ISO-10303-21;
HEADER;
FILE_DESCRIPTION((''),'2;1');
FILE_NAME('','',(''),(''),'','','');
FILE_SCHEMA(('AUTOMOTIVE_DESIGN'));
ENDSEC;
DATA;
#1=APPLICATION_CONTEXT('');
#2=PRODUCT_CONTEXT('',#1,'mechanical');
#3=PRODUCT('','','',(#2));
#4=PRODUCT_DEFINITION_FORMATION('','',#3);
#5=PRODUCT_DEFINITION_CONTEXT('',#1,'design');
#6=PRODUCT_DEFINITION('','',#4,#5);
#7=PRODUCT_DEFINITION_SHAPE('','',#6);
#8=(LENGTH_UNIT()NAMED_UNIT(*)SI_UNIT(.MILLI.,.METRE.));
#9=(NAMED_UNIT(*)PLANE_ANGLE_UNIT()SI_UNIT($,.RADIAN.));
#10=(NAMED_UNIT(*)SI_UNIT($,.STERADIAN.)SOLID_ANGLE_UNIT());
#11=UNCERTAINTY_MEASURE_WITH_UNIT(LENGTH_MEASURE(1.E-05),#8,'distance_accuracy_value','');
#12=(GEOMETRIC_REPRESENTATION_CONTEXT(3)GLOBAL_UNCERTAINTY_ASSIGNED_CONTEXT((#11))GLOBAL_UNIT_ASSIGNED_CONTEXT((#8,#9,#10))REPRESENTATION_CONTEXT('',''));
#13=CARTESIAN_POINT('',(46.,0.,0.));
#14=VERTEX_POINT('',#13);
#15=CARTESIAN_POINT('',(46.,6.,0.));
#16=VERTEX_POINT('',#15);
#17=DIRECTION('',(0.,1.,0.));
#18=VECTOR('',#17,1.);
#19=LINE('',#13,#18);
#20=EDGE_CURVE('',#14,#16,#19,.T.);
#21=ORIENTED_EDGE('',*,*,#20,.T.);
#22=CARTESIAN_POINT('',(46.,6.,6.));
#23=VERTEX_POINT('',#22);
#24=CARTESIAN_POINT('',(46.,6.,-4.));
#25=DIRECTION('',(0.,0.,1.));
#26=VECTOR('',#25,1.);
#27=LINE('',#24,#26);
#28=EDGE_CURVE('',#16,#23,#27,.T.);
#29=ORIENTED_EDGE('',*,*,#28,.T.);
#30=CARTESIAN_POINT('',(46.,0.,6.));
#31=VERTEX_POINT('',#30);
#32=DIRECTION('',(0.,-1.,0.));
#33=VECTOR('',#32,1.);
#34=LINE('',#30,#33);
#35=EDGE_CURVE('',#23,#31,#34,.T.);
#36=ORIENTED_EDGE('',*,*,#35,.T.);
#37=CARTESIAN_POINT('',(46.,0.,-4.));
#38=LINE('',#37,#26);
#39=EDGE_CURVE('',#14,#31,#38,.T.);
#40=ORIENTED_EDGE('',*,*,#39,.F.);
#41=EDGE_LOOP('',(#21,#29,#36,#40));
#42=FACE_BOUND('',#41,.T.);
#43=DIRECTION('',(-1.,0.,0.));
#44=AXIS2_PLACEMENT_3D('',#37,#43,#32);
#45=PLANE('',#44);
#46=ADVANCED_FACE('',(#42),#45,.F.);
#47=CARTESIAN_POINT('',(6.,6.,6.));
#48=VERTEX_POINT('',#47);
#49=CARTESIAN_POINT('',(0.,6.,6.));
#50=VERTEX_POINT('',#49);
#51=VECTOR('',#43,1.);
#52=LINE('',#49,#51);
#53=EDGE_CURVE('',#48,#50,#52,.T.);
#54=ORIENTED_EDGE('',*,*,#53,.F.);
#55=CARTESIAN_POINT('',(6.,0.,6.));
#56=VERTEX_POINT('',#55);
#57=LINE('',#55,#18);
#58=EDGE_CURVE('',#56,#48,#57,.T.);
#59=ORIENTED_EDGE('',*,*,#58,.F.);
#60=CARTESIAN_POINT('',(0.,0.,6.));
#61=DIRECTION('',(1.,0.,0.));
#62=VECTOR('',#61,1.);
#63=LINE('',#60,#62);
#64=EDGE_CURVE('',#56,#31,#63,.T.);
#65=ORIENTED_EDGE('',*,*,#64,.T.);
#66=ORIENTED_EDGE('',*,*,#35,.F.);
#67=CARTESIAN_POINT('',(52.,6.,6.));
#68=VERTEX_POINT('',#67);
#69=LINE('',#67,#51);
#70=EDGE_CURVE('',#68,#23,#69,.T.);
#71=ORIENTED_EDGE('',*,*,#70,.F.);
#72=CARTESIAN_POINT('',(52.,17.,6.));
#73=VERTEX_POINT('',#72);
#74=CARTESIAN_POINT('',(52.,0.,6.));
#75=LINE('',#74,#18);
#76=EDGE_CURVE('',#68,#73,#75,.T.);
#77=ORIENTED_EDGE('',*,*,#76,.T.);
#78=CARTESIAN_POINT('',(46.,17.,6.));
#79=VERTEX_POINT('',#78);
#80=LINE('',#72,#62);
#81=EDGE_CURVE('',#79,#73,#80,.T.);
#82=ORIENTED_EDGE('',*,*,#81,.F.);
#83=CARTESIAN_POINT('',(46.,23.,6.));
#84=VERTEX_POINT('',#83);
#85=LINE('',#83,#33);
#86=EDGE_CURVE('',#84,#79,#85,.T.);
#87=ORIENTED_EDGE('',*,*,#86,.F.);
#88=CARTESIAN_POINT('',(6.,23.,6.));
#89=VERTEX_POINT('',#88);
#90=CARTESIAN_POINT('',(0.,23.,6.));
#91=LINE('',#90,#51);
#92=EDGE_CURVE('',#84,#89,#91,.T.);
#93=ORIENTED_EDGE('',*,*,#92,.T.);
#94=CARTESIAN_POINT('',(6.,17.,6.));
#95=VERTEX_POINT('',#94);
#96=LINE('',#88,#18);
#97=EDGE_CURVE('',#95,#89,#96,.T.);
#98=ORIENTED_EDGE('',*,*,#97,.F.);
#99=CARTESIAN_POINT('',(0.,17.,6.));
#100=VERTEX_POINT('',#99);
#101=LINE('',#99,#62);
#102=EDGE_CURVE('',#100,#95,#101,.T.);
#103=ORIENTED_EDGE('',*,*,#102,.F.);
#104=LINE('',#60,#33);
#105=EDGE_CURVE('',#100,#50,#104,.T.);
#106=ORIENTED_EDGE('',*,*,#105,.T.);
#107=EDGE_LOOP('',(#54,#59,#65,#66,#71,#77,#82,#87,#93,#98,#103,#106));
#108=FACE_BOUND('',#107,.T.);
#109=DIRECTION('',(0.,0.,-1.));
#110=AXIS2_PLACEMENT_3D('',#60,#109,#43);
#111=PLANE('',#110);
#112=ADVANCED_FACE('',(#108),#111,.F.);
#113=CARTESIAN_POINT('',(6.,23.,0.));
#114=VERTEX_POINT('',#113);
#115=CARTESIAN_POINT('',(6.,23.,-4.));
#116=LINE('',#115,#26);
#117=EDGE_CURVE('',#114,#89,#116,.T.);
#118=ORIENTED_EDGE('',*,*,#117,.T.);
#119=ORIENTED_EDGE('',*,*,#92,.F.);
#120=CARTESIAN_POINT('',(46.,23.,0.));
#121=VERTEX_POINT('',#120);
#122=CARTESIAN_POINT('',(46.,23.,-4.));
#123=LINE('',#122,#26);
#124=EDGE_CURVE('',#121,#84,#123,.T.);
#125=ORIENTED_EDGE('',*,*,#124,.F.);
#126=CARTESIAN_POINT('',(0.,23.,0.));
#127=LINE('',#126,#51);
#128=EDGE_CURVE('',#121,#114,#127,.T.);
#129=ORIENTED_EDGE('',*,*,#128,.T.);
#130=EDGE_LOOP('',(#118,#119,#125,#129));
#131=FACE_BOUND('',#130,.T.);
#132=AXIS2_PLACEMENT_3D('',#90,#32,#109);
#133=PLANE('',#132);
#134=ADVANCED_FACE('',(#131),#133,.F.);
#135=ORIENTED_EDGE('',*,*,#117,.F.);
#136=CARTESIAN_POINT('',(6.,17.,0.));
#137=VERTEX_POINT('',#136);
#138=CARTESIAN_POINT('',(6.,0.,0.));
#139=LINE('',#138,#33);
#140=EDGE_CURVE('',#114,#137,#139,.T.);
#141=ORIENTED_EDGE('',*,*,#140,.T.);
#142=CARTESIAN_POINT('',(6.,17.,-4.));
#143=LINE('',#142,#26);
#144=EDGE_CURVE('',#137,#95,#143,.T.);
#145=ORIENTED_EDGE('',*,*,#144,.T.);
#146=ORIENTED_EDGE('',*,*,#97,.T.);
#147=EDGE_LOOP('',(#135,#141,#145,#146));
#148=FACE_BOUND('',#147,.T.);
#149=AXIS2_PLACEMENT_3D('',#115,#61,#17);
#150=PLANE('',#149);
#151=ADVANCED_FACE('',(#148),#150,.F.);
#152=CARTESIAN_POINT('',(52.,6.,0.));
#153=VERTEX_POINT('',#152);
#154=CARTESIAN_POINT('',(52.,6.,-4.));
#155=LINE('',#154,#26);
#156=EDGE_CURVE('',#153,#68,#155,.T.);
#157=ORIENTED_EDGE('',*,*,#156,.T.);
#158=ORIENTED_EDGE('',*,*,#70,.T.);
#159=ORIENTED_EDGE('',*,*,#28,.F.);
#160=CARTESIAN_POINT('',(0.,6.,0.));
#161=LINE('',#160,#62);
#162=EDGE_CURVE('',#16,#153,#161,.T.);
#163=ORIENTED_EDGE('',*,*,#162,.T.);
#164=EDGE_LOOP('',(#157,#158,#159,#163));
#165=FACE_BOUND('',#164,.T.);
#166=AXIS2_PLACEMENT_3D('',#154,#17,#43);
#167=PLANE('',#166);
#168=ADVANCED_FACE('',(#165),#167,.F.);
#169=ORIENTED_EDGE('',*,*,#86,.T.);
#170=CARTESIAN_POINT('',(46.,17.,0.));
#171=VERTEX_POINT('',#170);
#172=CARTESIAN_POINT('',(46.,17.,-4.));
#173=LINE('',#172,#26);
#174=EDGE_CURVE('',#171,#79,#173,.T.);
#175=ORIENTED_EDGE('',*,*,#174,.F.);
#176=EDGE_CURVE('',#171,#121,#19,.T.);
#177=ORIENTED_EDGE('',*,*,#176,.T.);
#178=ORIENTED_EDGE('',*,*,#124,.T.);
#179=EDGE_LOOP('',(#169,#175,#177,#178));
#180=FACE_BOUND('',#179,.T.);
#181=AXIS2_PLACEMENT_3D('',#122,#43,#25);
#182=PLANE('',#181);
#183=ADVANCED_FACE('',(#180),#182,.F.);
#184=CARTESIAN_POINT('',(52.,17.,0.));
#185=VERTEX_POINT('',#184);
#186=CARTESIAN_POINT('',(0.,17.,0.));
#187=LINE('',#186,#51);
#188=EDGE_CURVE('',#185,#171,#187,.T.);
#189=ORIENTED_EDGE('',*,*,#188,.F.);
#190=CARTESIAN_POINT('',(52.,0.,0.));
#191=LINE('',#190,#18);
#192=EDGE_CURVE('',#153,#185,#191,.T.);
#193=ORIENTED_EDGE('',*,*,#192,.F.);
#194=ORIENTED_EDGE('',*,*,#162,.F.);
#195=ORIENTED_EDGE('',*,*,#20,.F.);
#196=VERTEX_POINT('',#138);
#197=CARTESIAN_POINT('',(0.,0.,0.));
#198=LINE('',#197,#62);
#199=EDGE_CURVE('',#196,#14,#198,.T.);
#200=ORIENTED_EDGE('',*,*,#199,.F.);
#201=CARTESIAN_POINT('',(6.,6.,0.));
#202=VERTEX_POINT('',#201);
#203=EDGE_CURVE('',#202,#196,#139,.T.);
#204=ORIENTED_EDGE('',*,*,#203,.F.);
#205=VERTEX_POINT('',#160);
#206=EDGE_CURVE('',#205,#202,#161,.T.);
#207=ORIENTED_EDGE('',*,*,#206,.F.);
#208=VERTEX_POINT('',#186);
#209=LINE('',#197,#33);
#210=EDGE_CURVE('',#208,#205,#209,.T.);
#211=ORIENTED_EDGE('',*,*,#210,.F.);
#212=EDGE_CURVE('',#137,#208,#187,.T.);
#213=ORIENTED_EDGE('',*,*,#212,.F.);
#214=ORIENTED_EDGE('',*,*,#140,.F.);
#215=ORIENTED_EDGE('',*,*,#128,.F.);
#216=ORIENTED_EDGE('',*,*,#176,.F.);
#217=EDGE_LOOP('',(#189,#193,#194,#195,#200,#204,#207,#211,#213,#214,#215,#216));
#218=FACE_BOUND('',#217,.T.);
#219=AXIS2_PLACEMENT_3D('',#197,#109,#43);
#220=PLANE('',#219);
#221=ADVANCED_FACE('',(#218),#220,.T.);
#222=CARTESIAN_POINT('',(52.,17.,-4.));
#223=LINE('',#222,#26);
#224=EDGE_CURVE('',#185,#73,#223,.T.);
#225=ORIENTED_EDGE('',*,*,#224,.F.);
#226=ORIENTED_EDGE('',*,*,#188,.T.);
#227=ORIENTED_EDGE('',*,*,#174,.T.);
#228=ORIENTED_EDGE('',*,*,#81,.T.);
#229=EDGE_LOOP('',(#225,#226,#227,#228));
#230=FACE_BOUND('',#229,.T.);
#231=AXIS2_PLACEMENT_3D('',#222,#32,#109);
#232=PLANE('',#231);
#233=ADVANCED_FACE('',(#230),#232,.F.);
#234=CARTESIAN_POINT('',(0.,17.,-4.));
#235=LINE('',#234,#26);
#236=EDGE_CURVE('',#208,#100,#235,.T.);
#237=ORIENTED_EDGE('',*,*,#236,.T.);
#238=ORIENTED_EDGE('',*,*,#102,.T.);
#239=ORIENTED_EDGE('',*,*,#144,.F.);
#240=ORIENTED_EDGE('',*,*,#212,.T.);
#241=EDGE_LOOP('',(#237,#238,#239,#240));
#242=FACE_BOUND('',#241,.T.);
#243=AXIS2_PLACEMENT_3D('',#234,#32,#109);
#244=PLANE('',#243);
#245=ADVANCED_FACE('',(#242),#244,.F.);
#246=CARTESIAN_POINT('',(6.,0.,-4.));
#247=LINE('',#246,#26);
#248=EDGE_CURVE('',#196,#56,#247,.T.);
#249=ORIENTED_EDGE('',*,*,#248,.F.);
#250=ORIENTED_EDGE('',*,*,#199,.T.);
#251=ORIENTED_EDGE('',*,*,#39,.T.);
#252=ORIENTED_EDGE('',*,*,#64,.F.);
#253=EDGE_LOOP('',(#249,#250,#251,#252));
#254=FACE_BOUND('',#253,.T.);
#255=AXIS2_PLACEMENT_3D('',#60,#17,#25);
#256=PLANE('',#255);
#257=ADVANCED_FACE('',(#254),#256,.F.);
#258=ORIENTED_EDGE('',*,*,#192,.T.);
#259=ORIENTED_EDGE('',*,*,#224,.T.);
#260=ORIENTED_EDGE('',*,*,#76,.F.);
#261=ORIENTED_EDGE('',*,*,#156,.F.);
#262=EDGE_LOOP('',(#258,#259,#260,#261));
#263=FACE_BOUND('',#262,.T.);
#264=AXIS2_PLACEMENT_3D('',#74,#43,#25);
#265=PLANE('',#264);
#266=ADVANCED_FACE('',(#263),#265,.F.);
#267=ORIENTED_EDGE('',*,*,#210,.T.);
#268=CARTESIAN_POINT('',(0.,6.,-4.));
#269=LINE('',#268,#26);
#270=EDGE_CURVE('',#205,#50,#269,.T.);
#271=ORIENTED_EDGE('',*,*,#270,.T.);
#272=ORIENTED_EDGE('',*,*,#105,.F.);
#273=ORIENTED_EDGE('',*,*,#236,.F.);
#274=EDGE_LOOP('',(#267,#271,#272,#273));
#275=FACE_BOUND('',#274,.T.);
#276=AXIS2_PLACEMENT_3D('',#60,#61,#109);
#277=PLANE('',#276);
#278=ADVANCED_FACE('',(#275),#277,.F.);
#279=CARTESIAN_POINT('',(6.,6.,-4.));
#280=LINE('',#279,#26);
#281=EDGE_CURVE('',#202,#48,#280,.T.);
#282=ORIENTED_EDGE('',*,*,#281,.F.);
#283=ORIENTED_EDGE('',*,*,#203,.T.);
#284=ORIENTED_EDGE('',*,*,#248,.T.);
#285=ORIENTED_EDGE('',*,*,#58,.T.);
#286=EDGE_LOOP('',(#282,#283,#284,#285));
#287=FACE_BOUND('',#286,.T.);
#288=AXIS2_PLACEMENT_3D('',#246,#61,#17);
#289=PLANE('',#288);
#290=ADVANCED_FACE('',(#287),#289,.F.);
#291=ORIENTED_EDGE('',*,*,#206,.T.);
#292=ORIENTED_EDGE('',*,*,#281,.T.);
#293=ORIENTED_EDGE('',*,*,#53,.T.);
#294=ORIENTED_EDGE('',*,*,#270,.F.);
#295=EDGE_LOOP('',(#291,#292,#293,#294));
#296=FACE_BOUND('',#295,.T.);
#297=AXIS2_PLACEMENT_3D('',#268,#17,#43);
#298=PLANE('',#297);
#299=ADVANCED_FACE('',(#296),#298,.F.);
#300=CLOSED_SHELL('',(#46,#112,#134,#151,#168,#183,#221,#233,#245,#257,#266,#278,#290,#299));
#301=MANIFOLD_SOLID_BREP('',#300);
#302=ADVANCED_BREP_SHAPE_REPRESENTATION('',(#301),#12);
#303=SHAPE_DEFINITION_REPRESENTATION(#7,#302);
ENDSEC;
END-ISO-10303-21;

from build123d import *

# Parameters (mm, degrees)
ESQUISSE1_W             = 52
ESQUISSE1_H             = 23
BOSS_EXTRU_1_DEPTH      = 6
ESQUISSE2_W             = 6
ESQUISSE2_H             = 6
ENL_V_MAT_EXTRU_1_DEPTH = 10


with BuildPart() as part:
    # Esquisse1 → Boss.-Extru.1 (new body)
    with BuildSketch(Plane.XY):
        with Locations((26, 11.5)):
            Rectangle(ESQUISSE1_W, ESQUISSE1_H)
    extrude(amount=BOSS_EXTRU_1_DEPTH)

    # Esquisse2 → Enlèv. mat.-Extru.1 (cut)
    with BuildSketch(Plane.XY.offset(6)):
        with Locations((3, 20)):
            Rectangle(ESQUISSE2_W, ESQUISSE2_H)
        with Locations((3, 3)):
            Rectangle(ESQUISSE2_W, ESQUISSE2_H)
        with Locations((49, 3)):
            Rectangle(ESQUISSE2_W, ESQUISSE2_H)
        with Locations((49, 20)):
            Rectangle(ESQUISSE2_W, ESQUISSE2_H)
    extrude(amount=-ENL_V_MAT_EXTRU_1_DEPTH, mode=Mode.SUBTRACT)


solid = part.part
